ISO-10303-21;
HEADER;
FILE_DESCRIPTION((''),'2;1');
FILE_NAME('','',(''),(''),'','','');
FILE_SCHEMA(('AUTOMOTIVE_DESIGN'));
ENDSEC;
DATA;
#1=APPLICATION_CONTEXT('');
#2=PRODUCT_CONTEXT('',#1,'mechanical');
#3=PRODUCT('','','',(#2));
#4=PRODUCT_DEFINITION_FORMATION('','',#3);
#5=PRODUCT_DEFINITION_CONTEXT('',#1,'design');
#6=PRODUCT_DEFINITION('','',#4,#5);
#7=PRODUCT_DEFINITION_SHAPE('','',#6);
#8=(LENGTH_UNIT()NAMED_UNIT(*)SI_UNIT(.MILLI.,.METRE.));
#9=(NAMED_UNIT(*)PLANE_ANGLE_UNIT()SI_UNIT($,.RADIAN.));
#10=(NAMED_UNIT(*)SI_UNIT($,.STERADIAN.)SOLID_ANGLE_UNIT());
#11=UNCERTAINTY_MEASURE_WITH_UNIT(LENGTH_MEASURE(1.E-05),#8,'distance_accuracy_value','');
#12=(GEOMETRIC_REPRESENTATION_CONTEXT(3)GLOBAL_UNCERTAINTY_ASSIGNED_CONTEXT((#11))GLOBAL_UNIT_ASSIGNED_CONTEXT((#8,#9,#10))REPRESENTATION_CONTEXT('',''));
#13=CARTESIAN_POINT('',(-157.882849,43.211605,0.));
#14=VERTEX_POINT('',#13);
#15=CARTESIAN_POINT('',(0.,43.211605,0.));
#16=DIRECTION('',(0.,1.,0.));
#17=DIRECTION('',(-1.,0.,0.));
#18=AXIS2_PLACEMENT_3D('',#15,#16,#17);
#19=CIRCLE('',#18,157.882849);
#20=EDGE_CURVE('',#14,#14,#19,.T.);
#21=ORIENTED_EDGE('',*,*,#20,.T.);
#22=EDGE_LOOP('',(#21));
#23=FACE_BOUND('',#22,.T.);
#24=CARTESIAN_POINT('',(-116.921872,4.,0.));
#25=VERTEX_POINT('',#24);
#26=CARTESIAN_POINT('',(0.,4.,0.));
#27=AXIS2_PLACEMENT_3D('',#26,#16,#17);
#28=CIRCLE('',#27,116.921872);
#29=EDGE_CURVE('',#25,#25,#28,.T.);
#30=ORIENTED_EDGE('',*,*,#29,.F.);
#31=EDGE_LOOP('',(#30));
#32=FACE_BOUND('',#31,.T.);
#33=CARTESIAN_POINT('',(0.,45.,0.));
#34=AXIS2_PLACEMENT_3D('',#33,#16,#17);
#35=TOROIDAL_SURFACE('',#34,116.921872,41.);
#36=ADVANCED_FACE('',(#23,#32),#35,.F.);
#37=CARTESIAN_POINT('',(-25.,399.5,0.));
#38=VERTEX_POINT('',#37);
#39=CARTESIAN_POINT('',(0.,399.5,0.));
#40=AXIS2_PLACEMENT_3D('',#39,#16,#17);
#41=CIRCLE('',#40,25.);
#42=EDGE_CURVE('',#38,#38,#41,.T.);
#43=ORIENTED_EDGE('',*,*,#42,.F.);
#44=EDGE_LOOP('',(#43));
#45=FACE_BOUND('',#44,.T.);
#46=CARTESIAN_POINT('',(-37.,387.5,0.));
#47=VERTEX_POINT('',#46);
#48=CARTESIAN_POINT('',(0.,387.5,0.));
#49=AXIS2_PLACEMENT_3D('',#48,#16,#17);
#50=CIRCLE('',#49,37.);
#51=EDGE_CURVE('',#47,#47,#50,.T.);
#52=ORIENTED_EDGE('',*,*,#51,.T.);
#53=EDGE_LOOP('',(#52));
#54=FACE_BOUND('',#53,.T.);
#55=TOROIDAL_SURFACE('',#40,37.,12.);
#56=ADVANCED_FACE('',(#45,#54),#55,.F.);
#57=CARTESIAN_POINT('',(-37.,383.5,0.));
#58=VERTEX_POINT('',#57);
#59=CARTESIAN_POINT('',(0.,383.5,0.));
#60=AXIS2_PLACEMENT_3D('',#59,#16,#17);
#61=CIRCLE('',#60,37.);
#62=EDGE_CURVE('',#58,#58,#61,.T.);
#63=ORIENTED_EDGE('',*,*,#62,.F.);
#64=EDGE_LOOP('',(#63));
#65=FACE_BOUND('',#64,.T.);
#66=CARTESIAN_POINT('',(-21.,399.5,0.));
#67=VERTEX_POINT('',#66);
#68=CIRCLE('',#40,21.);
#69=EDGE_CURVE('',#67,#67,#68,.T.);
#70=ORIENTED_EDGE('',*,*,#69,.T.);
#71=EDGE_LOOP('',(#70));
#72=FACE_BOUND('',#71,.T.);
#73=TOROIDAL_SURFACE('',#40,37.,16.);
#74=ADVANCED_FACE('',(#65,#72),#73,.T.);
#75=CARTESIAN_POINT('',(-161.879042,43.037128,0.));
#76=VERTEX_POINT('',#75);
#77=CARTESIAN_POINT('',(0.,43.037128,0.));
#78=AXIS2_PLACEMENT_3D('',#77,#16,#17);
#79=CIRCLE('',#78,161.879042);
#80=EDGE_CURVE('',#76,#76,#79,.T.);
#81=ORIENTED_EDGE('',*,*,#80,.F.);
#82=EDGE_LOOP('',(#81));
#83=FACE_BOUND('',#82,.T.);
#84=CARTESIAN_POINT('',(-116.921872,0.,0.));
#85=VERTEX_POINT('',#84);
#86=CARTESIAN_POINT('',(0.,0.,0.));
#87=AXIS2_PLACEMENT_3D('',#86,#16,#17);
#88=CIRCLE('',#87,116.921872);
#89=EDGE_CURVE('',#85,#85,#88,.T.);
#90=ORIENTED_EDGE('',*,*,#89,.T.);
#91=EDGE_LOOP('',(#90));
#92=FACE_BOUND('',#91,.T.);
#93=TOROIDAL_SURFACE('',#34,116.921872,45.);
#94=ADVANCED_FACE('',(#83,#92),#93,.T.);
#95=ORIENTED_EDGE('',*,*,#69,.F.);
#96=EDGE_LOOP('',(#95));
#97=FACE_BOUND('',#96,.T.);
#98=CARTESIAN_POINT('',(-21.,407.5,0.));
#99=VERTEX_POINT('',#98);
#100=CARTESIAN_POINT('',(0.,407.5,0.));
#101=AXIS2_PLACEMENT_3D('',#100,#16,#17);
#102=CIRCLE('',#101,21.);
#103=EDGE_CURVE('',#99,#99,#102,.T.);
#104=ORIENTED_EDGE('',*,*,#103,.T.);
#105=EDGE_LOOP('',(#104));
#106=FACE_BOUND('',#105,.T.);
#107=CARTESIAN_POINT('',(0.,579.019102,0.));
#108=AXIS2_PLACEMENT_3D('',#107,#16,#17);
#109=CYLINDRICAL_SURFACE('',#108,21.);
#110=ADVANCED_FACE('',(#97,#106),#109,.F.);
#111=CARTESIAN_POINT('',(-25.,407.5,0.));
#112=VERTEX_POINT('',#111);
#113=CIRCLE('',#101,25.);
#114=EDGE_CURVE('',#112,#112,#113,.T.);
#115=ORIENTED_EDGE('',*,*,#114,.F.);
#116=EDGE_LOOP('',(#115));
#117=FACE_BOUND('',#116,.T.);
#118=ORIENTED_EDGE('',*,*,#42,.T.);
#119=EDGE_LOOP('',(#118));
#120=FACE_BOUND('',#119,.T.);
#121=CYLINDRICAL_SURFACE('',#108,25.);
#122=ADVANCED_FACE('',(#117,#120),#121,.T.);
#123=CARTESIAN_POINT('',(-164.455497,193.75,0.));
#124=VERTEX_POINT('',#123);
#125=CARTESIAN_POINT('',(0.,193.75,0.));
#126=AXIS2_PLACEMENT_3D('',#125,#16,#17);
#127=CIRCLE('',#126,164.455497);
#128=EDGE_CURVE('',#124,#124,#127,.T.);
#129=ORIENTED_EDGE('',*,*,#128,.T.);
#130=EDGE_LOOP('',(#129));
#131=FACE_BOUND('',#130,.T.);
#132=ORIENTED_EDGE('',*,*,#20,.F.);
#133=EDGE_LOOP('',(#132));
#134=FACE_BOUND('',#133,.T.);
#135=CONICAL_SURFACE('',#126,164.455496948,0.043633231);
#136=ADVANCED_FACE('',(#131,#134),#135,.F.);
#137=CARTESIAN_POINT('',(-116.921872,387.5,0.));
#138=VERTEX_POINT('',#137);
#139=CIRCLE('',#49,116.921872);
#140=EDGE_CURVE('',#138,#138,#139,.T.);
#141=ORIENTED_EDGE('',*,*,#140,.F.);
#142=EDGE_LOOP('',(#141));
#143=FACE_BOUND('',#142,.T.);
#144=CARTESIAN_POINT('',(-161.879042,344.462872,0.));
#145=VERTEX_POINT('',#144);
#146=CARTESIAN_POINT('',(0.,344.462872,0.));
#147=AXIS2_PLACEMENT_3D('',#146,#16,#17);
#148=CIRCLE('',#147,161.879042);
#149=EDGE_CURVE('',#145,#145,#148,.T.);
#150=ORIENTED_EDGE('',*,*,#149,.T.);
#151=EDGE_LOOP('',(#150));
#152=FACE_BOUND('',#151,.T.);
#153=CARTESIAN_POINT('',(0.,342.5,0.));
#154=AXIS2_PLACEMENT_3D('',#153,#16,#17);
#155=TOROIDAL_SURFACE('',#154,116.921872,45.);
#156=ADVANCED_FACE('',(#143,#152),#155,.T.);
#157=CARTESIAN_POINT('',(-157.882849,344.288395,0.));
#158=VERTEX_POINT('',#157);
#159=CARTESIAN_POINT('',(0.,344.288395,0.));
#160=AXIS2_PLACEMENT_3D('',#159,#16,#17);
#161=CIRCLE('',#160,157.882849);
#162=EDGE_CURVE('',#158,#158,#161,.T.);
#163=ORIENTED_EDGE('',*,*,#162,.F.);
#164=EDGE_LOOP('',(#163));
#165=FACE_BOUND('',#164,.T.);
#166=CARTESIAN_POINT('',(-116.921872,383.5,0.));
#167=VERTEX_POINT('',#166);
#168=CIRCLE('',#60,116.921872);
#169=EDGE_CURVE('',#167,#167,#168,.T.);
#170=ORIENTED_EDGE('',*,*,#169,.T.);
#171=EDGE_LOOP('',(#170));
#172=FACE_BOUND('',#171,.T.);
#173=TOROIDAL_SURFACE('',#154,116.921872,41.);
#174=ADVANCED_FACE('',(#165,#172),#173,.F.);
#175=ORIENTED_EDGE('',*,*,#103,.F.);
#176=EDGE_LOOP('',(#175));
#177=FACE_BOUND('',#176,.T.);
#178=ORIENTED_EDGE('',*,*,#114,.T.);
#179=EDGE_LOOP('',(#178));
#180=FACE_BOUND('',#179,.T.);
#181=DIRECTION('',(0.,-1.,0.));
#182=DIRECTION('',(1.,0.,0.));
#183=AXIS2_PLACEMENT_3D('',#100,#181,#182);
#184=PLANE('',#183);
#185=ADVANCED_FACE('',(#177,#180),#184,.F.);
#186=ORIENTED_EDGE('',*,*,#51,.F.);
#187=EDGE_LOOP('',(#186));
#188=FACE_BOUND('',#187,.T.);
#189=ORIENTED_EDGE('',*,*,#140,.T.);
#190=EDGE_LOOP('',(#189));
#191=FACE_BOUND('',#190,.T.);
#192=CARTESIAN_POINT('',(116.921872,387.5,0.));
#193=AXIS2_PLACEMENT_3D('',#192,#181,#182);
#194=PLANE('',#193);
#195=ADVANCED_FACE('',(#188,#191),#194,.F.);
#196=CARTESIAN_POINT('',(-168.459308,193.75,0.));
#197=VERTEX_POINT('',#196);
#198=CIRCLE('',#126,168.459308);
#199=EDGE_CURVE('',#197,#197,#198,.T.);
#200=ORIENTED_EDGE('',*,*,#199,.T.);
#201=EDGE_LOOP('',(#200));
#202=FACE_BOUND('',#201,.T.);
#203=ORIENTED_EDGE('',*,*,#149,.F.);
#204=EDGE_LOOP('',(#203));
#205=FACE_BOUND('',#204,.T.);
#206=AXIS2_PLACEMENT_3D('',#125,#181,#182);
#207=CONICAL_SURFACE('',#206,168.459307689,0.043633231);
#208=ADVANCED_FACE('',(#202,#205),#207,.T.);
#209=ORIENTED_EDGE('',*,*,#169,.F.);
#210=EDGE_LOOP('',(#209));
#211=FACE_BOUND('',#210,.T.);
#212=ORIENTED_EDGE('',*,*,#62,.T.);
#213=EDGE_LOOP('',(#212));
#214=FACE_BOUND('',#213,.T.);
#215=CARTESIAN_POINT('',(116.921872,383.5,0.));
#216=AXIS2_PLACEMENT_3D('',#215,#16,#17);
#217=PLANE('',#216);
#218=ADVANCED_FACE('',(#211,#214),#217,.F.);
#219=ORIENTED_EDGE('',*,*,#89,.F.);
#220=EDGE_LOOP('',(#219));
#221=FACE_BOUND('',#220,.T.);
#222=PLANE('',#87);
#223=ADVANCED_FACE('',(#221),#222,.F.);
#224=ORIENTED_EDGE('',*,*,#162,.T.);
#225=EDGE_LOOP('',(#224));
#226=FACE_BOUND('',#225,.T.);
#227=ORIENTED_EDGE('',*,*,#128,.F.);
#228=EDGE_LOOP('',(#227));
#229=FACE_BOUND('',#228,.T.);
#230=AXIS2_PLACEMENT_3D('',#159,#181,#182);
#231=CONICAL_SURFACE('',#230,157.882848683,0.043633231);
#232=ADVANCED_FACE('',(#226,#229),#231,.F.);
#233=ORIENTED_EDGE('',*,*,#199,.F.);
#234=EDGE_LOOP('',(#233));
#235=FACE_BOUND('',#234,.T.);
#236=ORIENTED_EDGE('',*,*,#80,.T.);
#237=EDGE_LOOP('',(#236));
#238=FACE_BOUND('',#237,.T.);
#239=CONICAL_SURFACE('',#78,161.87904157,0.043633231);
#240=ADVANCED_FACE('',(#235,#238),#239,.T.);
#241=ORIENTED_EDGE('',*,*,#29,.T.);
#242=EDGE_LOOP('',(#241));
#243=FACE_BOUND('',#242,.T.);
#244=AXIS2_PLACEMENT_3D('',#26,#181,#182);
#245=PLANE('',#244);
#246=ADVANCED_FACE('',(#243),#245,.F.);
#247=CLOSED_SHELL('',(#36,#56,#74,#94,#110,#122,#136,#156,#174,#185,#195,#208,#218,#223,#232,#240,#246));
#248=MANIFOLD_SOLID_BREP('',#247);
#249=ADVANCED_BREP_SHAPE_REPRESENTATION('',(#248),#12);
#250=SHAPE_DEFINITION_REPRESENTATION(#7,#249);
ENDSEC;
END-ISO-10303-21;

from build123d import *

# Parameters (mm, degrees)
SKETCH3_R          = 21
CUT_EXTRUDE1_DEPTH = 30


with BuildPart() as part:
    # Sketch1 → Revolve1 (revolve)
    with BuildSketch(Plane.XY):
        with BuildLine():
            Line((0, 0), (116.921871599, 0))
            ThreePointArc((116.921871599, 0), (148.039959109, 12.493621707), (161.87904157, 43.037127569))
            Line((161.87904157, 43.037127569), (168.459307689, 193.75))
            Line((168.459307689, 193.75), (161.87904157, 344.462872431))
            ThreePointArc((161.87904157, 344.462872431), (148.039959109, 375.006378293), (116.921871599, 387.5))
            Line((116.921871599, 387.5), (37, 387.5))
            ThreePointArc((37, 387.5), (28.514718626, 391.014718626), (25, 399.5))
            Line((25, 399.5), (25, 407.5))
            Line((25, 407.5), (0, 407.5))
            Line((0, 407.5), (0, 403.5))
            Line((0, 403.5), (21, 403.5))
            Line((21, 403.5), (21, 399.5))
            ThreePointArc((21, 399.5), (25.686291501, 388.186291501), (37, 383.5))
            Line((37, 383.5), (116.921871599, 383.5))
            ThreePointArc((116.921871599, 383.5), (145.273906886, 372.116922444), (157.882848683, 344.288394882))
            Line((157.882848683, 344.288394882), (164.455496948, 193.75))
            Line((164.455496948, 193.75), (157.882848683, 43.211605118))
            ThreePointArc((157.882848683, 43.211605118), (145.273906886, 15.383077556), (116.921871599, 4))
            Line((116.921871599, 4), (0, 4))
            Line((0, 4), (0, 0))
        make_face()
    revolve(axis=Axis((0, 579.019102, 0), (0, -1, 0)))

    # Sketch3 → Cut-Extrude1 (cut)
    with BuildSketch(Plane(origin=(0, 407.5, 0), x_dir=(1, 0, 0), z_dir=(0, 1, 0))):
        Circle(SKETCH3_R)
    extrude(amount=-CUT_EXTRUDE1_DEPTH, mode=Mode.SUBTRACT)


solid = part.part
